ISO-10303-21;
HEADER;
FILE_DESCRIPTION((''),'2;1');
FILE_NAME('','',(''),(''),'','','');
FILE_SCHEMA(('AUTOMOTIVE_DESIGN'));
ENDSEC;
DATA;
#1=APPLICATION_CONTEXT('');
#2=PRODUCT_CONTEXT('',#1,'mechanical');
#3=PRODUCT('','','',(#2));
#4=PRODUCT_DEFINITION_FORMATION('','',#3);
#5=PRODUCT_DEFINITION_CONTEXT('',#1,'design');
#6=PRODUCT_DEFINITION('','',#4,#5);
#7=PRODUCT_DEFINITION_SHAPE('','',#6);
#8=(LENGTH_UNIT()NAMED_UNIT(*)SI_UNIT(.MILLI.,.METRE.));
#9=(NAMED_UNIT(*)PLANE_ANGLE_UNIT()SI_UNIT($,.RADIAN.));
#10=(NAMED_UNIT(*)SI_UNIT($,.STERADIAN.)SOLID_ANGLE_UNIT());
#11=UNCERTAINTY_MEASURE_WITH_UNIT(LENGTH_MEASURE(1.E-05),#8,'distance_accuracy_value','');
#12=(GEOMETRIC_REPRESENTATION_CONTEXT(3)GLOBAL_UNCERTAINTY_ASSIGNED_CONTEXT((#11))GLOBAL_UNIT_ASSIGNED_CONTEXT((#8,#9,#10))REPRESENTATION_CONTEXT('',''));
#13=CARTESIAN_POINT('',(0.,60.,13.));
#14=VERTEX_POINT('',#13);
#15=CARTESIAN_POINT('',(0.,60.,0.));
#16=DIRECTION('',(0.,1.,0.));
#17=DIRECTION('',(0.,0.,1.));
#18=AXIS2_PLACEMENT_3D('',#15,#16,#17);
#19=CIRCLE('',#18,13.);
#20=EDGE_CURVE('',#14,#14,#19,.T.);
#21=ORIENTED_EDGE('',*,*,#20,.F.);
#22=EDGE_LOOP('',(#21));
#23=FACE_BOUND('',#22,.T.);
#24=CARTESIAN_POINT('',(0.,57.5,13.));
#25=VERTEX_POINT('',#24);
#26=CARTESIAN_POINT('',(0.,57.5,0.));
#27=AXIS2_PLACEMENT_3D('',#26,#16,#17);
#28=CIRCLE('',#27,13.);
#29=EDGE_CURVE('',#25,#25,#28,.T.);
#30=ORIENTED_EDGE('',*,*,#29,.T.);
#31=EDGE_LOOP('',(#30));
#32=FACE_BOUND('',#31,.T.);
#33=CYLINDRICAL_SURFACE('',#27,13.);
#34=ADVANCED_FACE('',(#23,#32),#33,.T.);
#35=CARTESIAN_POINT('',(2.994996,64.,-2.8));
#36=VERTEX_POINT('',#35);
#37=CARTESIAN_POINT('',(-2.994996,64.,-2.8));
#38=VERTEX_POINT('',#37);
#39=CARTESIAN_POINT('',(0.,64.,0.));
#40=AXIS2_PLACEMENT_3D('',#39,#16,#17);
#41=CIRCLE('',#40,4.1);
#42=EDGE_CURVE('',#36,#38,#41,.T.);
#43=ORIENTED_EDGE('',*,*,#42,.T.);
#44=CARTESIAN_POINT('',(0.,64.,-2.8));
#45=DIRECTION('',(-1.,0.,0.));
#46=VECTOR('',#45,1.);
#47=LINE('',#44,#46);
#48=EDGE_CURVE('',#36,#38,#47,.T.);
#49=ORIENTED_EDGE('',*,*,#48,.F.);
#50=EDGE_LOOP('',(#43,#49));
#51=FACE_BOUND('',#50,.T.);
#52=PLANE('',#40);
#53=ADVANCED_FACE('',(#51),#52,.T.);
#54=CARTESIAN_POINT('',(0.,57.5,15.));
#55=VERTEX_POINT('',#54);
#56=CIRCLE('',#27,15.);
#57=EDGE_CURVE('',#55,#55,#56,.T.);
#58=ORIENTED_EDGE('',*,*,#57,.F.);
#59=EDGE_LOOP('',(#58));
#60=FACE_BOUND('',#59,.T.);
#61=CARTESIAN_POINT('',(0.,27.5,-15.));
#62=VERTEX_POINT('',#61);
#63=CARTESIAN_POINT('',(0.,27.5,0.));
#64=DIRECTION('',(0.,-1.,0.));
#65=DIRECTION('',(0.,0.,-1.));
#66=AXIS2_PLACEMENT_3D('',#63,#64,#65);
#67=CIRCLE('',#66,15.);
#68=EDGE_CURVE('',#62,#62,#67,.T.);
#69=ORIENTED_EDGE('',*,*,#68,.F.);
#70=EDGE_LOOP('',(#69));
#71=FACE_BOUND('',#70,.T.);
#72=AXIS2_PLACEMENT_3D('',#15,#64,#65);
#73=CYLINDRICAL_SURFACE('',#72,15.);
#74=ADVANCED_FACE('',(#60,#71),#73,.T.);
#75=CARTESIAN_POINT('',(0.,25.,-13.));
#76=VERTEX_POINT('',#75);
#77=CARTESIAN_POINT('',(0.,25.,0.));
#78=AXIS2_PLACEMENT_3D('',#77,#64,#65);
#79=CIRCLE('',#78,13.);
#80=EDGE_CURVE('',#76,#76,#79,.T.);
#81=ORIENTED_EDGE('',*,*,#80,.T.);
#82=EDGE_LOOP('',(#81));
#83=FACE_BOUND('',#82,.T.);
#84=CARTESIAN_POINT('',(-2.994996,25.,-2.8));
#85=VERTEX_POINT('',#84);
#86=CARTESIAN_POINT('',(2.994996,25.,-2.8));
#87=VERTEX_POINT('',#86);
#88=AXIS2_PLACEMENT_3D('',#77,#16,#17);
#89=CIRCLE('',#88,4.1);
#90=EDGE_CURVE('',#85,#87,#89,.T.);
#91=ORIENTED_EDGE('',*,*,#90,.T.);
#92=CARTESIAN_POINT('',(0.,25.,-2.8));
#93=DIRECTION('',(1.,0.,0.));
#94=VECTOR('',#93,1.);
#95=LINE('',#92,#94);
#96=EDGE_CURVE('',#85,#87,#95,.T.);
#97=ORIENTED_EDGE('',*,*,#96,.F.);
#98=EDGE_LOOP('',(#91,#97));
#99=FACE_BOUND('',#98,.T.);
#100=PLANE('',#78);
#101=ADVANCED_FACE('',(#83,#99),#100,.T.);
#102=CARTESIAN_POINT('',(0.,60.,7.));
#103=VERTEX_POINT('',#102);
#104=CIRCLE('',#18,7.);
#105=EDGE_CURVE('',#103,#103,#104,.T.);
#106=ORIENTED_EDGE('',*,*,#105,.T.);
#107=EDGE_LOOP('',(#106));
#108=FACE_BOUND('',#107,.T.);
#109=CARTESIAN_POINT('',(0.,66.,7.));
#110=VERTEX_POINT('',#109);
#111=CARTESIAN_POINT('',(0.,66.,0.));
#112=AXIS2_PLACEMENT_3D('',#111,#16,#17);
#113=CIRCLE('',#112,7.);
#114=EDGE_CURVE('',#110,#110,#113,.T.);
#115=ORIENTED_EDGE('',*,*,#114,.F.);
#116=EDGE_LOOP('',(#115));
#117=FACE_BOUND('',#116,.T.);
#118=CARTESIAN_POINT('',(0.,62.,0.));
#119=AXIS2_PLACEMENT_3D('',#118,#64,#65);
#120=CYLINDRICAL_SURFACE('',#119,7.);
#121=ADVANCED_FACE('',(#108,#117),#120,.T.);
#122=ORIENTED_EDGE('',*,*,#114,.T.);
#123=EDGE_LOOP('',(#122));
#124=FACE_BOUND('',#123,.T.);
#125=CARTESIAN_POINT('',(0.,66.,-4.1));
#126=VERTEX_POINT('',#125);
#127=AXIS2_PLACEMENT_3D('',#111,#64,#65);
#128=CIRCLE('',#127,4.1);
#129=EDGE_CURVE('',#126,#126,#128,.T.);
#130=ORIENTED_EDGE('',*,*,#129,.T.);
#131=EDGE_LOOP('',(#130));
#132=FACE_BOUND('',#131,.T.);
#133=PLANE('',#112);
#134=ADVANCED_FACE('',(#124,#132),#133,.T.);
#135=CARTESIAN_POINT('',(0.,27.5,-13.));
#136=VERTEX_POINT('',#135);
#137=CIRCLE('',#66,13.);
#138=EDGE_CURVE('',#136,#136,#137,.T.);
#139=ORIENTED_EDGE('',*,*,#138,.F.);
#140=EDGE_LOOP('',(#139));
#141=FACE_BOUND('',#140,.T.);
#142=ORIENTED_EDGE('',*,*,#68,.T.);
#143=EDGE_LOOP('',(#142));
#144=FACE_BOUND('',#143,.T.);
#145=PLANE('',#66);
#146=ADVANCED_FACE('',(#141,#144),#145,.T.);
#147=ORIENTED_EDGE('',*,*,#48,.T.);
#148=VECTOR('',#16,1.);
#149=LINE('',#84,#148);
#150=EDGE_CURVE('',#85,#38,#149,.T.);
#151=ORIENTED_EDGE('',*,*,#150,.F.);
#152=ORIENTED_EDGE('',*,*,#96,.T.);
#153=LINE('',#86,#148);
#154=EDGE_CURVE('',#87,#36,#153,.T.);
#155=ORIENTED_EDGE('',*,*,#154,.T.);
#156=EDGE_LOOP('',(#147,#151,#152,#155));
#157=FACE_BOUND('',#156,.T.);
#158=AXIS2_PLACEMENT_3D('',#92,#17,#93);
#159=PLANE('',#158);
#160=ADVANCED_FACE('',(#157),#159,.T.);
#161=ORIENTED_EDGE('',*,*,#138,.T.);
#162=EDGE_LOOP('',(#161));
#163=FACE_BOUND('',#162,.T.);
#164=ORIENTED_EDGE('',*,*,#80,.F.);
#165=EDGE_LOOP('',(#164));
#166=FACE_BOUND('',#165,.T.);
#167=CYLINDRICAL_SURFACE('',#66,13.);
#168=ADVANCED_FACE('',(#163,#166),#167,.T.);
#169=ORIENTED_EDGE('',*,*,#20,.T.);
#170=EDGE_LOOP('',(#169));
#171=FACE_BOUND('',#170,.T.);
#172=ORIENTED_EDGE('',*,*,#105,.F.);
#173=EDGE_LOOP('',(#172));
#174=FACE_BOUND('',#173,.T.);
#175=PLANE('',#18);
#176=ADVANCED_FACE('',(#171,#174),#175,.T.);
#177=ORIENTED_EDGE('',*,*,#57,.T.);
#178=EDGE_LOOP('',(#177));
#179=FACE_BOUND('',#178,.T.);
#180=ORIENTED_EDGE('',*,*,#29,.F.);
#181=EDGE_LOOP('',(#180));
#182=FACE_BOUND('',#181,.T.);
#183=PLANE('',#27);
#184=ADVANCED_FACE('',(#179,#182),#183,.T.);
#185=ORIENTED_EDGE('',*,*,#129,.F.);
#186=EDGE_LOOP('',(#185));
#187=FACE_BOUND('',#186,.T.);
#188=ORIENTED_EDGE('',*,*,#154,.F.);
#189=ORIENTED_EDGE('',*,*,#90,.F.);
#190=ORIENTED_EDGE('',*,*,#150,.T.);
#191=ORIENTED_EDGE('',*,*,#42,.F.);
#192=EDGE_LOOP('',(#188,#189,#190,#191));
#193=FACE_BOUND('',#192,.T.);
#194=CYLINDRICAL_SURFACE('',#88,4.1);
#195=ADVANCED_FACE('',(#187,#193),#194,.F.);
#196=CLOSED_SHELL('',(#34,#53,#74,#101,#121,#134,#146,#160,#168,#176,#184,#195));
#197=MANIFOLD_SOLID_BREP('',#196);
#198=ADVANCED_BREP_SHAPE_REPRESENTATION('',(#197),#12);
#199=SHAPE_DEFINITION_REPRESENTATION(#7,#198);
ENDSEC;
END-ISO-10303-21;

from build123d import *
from build123d.topology import SkipClean

# Parameters (mm, degrees)
SKETCH1_R           = 15
BOSS_EXTRUDE1_DEPTH = 60
CUT_EXTRUDE1_START  = -2.5
SKETCH2_R           = 15
SKETCH2_R_2         = 13
CUT_EXTRUDE1_DEPTH  = 2.5
SKETCH3_R           = 15
CUT_EXTRUDE2_DEPTH  = 25
SKETCH4_R           = 15
SKETCH4_R_2         = 13
CUT_EXTRUDE3_DEPTH  = 2.5
SKETCH6_R           = 2.870458913
BOSS_EXTRUDE2_DEPTH = 9.5
SKETCH7_R           = 7
BOSS_EXTRUDE3_DEPTH = 2
SKETCH8_R           = 19
CUT_EXTRUDE4_DEPTH  = 43.649736224
CUT_EXTRUDE5_DEPTH  = 43.649736224
SKETCH10_R          = 7
BOSS_EXTRUDE4_DEPTH = 2
CUT_EXTRUDE6_DEPTH  = 45.395945761
SKETCH12_R          = 7
BOSS_EXTRUDE5_DEPTH = 2
CUT_EXTRUDE7_DEPTH  = 47.16275555
CUT_EXTRUDE8_START  = -2
SKETCH14_R          = 4.1
CUT_EXTRUDE8_DEPTH  = 2


with BuildPart() as part:
    # Sketch1 → Boss-Extrude1 (new body)
    with BuildSketch(Plane(origin=(0, 0, 0), x_dir=(1, 0, 0), z_dir=(0, 1, 0))):
        with Locations(Location((0, 0, 0), (0, 0, 270))):
            Circle(SKETCH1_R)
    extrude(amount=BOSS_EXTRUDE1_DEPTH)

    # Sketch2 → Cut-Extrude1 (cut)
    with BuildSketch(Plane(origin=(0, 60, 0), x_dir=(1, 0, 0), z_dir=(0, 1, 0)).offset(CUT_EXTRUDE1_START)):
        with Locations(Location((0, 0, 0), (0, 0, 270))):
            Circle(SKETCH2_R)
        with Locations(Location((0, 0, 0), (0, 0, 270))):
            Circle(SKETCH2_R_2, mode=Mode.SUBTRACT)
    extrude(amount=CUT_EXTRUDE1_DEPTH, mode=Mode.SUBTRACT)

    # Sketch3 → Cut-Extrude2 (cut)
    with BuildSketch(Plane.XZ):
        with Locations(Location((0, 0, 0), (0, 0, 270))):
            Circle(SKETCH3_R)
    extrude(amount=-CUT_EXTRUDE2_DEPTH, mode=Mode.SUBTRACT)

    # Sketch4 → Cut-Extrude3 (cut)
    with BuildSketch(Plane.XZ.offset(-25)):
        with Locations(Location((0, 0, 0), (0, 0, 270))):
            Circle(SKETCH4_R)
        with Locations(Location((0, 0, 0), (0, 0, 90))):
            Circle(SKETCH4_R_2, mode=Mode.SUBTRACT)
    extrude(amount=-CUT_EXTRUDE3_DEPTH, mode=Mode.SUBTRACT)

    # Sketch6 → Boss-Extrude2 (add)
    with BuildSketch(Plane.XZ.offset(-25)):
        with Locations(Location((0, 0, 0), (0, 0, 270))):
            Circle(SKETCH6_R)
    extrude(amount=BOSS_EXTRUDE2_DEPTH)

    # Sketch7 → Boss-Extrude3 (add)
    with BuildSketch(Plane(origin=(0, 60, 0), x_dir=(1, 0, 0), z_dir=(0, 1, 0))):
        with Locations(Location((0, 0, 0), (0, 0, 270))):
            Circle(SKETCH7_R)
    extrude(amount=BOSS_EXTRUDE3_DEPTH)

    # Sketch8 → Cut-Extrude4 (cut, through all)
    with BuildSketch(Plane.XZ.offset(-25)):
        Circle(SKETCH8_R)
    extrude(amount=CUT_EXTRUDE4_DEPTH, mode=Mode.SUBTRACT)

    # Sketch9 → Cut-Extrude5 (cut, through all)
    with BuildSketch(Plane(origin=(0, 62, 0), x_dir=(1, 0, 0), z_dir=(0, 1, 0))):
        with BuildLine():
            ThreePointArc((-2.994995826, 2.8), (-3.760983914, -1.632482772), (0, -4.1))
            Line((0, -4.1), (0, 2.8))
            Line((0, 2.8), (-2.994995826, 2.8))
        make_face()
        with BuildLine():
            Line((0, 2.8), (0, -4.1))
            ThreePointArc((0, -4.1), (3.760983914, -1.632482772), (2.994995826, 2.8))
            Line((2.994995826, 2.8), (0, 2.8))
        make_face()
    extrude(amount=-CUT_EXTRUDE5_DEPTH, mode=Mode.SUBTRACT)

    # Sketch10 → Boss-Extrude4 (add)
    with BuildSketch(Plane(origin=(0, 62, 0), x_dir=(1, 0, 0), z_dir=(0, 1, 0))):
        with Locations(Location((0, 0, 0), (0, 0, 270))):
            Circle(SKETCH10_R)
    extrude(amount=BOSS_EXTRUDE4_DEPTH)

    # Sketch11 → Cut-Extrude6 (cut, through all)
    with SkipClean():  # the faces are left unmerged after this step: merging them gives an invalid solid
        with BuildSketch(Plane.XZ.offset(-25)):
            with BuildLine():
                Line((-2.994995826, -2.8), (2.994995826, -2.8))
                ThreePointArc((2.994995826, -2.8), (0, 4.1), (-2.994995826, -2.8))
            make_face()
        extrude(amount=-CUT_EXTRUDE6_DEPTH, mode=Mode.SUBTRACT)

    # Sketch12 → Boss-Extrude5 (add)
    with SkipClean():  # the faces are left unmerged after this step: merging them gives an invalid solid
        with BuildSketch(Plane(origin=(0, 64, 0), x_dir=(1, 0, 0), z_dir=(0, 1, 0))):
            with Locations(Location((0, 0, 0), (0, 0, 270))):
                Circle(SKETCH12_R)
        extrude(amount=BOSS_EXTRUDE5_DEPTH)

    # Sketch13 → Cut-Extrude7 (cut, through all)
    with SkipClean():  # the faces are left unmerged after this step: merging them gives an invalid solid
        with BuildSketch(Plane.XZ.offset(-25)):
            with BuildLine():
                Line((-2.994995826, -2.8), (2.994995826, -2.8))
                ThreePointArc((2.994995826, -2.8), (0, 4.1), (-2.994995826, -2.8))
            make_face()
        extrude(amount=-CUT_EXTRUDE7_DEPTH, mode=Mode.SUBTRACT)

    # Sketch14 → Cut-Extrude8 (cut)
    with SkipClean():  # the faces are left unmerged after this step: merging them gives an invalid solid
        with BuildSketch(Plane(origin=(0, 66, 0), x_dir=(1, 0, 0), z_dir=(0, 1, 0)).offset(CUT_EXTRUDE8_START)):
            with Locations(Location((0, 0, 0), (0, 0, 136.927218653))):
                Circle(SKETCH14_R)
        extrude(amount=CUT_EXTRUDE8_DEPTH, mode=Mode.SUBTRACT)


solid = part.part
